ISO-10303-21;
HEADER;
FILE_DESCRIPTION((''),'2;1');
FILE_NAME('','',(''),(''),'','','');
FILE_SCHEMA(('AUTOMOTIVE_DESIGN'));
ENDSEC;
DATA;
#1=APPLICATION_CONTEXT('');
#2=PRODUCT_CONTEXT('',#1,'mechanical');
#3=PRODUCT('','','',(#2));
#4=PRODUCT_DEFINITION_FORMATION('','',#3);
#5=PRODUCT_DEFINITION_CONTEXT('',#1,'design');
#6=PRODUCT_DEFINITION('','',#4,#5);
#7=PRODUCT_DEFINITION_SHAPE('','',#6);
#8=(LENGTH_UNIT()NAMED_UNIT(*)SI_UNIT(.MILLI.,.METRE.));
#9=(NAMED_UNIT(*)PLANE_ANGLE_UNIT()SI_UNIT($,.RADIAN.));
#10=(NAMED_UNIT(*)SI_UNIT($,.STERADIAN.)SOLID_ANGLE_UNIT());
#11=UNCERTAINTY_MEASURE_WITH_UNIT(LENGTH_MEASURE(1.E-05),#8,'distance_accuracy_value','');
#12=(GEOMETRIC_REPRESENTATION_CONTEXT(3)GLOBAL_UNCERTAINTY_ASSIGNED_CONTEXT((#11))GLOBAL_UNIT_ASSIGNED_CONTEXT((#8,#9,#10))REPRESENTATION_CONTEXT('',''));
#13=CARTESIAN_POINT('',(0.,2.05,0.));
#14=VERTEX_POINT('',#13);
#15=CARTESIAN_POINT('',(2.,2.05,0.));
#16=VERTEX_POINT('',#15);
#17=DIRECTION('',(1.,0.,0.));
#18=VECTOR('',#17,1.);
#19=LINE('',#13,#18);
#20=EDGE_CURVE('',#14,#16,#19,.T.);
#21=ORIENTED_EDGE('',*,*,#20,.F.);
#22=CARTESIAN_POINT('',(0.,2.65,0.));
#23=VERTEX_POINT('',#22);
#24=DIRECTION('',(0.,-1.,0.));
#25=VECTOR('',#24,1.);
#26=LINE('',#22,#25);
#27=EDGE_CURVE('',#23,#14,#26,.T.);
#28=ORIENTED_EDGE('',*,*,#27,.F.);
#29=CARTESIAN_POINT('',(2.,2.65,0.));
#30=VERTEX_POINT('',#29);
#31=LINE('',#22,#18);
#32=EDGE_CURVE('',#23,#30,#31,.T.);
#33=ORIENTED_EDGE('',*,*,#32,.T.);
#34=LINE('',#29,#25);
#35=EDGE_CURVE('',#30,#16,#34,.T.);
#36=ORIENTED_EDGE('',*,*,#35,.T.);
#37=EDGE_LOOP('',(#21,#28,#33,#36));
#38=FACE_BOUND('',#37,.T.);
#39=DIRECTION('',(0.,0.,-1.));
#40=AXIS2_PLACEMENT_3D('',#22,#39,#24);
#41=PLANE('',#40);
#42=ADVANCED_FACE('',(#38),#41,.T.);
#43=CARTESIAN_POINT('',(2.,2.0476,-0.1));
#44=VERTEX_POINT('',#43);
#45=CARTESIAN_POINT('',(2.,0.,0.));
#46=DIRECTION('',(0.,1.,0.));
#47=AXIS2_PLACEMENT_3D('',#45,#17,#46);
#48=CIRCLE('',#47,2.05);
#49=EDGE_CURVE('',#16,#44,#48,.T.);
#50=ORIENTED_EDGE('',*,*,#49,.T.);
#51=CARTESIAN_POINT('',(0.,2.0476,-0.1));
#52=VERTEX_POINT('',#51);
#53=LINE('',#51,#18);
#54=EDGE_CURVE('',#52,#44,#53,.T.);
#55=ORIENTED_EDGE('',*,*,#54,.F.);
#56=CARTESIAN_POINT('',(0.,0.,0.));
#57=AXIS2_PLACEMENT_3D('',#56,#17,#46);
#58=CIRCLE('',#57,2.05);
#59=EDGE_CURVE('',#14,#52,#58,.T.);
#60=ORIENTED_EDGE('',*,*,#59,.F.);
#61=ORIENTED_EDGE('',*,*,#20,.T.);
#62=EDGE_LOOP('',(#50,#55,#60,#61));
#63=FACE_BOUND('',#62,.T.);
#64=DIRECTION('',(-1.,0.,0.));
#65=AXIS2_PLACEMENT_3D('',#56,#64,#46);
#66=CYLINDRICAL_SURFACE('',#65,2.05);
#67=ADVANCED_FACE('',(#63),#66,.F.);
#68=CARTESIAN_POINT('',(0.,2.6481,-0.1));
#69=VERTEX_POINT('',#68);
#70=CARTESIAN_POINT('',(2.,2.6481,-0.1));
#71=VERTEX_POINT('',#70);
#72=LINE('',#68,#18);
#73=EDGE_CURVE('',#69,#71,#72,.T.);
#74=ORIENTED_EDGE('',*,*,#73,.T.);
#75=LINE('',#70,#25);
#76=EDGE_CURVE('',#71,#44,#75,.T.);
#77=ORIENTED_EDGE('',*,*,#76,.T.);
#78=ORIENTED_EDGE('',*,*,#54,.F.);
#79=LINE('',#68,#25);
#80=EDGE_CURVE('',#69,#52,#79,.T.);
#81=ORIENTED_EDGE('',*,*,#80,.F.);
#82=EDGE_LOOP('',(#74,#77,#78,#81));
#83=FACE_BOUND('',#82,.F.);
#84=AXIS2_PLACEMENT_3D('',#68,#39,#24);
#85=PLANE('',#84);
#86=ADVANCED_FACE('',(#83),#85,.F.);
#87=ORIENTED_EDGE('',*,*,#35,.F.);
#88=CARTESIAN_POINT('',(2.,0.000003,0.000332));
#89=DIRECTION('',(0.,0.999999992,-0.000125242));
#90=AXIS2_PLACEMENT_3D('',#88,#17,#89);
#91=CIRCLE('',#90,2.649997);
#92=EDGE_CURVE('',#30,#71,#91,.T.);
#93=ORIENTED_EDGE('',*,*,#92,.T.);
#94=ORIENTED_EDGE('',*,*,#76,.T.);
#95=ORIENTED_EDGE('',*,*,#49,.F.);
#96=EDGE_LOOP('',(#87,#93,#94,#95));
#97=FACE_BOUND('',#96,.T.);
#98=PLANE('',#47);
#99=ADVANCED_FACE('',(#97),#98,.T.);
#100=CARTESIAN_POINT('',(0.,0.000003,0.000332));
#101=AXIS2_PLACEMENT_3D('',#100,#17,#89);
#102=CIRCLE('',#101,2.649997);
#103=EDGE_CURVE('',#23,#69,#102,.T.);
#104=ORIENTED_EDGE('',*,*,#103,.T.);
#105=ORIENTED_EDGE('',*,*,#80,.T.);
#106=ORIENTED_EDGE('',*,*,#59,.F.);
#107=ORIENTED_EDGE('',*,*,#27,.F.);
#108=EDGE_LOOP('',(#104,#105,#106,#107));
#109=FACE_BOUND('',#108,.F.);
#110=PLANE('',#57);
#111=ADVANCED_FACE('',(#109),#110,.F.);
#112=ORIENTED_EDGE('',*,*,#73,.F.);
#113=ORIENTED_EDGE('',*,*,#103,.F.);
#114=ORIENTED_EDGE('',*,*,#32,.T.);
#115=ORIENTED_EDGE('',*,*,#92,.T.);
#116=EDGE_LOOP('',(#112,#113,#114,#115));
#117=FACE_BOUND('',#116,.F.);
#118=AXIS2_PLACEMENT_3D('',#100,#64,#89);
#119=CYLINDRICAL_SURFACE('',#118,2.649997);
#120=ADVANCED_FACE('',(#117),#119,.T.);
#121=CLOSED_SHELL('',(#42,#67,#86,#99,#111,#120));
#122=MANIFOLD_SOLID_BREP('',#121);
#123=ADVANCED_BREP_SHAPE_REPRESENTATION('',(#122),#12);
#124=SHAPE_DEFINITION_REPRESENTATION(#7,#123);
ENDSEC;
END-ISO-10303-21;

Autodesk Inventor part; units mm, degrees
ref_plane "YZ Plane" through (0, 0, 0) normal (1, 0, 0) x (0, 1, 0)
ref_plane "XZ Plane" through (0, 0, 0) normal (0, 1, 0) x (-1, 0, 0)
ref_plane "XY Plane" through (0, 0, 0) normal (0, 0, 1) x (1, 0, 0)
sketch "スケッチ1" plane through (0, 0, 0) normal (1, 0, 0) x (0, 1, 0)
  circle A0 centre (0, 0) radius 2.05
  arc A1 (2.65, 0) -> (2.6481, -0.1) centre (0, 0) ccw
  line L0 (2.65, 0) -> (2.05, 0)
  line L1 (2.6481, -0.1) -> (2.0476, -0.1)
  dimension "d1" = 4.1
  dimension "d4" = 2.65
  dimension "d5" = 0.1
extrude "押し出し1" add sketch "スケッチ1" along normal blind 2 contours A0 L1 A1 L0
properties part number "Spacer"
